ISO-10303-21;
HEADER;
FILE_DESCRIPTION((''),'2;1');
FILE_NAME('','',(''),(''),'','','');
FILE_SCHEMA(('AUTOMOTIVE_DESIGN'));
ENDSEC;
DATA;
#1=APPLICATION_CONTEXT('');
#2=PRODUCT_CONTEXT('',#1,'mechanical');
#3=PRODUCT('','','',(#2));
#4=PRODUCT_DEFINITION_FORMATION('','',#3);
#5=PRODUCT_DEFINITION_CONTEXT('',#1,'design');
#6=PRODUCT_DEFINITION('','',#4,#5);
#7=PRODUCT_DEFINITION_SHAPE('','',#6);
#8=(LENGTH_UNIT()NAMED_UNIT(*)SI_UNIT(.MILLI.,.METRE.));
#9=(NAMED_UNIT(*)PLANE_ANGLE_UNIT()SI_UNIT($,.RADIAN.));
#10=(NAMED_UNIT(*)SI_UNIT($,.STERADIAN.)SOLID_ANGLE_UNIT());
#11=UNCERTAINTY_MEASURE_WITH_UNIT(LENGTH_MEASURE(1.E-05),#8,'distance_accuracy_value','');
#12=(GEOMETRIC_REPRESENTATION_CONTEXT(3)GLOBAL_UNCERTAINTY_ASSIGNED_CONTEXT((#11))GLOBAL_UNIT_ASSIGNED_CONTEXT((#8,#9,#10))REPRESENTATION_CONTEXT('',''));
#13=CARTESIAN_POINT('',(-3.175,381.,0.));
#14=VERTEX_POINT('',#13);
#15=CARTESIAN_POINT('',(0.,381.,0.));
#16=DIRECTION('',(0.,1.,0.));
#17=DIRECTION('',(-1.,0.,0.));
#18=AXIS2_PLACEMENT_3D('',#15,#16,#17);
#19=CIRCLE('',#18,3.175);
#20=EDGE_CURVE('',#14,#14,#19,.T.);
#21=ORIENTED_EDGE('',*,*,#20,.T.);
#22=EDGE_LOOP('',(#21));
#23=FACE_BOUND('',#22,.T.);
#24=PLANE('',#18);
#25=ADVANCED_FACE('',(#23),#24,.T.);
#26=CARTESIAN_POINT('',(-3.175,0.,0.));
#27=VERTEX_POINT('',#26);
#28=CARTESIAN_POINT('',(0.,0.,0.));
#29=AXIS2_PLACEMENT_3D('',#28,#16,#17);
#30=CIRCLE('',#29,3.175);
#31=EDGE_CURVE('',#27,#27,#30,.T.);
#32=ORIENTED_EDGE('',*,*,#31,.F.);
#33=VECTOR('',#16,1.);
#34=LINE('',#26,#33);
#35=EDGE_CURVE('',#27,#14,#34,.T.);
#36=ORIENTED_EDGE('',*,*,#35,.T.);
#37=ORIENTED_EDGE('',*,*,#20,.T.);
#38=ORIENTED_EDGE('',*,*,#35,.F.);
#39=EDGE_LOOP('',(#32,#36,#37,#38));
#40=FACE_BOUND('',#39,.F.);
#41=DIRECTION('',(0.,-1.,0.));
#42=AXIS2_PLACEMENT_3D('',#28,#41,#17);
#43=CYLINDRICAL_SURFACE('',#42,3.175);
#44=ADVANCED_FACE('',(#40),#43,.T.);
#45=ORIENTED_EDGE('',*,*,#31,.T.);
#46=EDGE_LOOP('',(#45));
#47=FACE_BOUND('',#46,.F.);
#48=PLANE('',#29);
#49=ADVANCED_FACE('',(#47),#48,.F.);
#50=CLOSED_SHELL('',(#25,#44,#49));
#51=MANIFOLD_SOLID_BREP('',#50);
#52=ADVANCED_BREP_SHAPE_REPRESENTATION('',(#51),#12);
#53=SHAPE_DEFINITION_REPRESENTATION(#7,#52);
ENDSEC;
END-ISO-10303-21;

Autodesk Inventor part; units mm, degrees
ref_plane "YZ Plane" through (0, 0, 0) normal (1, 0, 0) x (0, 1, 0)
ref_plane "XZ Plane" through (0, 0, 0) normal (0, 1, 0) x (-1, 0, 0)
ref_plane "XY Plane" through (0, 0, 0) normal (0, 0, 1) x (1, 0, 0)
sketch "Sketch1" plane through (0, 0, 0) normal (0, 1, 0) x (-1, 0, 0)
  circle A0 centre (0, 0) radius 3.175
  dimension "d0" = 6.35
extrude "Extrusion1" add sketch "Sketch1" along normal blind 381
properties part number "0.25 in shaft (15 in)"
